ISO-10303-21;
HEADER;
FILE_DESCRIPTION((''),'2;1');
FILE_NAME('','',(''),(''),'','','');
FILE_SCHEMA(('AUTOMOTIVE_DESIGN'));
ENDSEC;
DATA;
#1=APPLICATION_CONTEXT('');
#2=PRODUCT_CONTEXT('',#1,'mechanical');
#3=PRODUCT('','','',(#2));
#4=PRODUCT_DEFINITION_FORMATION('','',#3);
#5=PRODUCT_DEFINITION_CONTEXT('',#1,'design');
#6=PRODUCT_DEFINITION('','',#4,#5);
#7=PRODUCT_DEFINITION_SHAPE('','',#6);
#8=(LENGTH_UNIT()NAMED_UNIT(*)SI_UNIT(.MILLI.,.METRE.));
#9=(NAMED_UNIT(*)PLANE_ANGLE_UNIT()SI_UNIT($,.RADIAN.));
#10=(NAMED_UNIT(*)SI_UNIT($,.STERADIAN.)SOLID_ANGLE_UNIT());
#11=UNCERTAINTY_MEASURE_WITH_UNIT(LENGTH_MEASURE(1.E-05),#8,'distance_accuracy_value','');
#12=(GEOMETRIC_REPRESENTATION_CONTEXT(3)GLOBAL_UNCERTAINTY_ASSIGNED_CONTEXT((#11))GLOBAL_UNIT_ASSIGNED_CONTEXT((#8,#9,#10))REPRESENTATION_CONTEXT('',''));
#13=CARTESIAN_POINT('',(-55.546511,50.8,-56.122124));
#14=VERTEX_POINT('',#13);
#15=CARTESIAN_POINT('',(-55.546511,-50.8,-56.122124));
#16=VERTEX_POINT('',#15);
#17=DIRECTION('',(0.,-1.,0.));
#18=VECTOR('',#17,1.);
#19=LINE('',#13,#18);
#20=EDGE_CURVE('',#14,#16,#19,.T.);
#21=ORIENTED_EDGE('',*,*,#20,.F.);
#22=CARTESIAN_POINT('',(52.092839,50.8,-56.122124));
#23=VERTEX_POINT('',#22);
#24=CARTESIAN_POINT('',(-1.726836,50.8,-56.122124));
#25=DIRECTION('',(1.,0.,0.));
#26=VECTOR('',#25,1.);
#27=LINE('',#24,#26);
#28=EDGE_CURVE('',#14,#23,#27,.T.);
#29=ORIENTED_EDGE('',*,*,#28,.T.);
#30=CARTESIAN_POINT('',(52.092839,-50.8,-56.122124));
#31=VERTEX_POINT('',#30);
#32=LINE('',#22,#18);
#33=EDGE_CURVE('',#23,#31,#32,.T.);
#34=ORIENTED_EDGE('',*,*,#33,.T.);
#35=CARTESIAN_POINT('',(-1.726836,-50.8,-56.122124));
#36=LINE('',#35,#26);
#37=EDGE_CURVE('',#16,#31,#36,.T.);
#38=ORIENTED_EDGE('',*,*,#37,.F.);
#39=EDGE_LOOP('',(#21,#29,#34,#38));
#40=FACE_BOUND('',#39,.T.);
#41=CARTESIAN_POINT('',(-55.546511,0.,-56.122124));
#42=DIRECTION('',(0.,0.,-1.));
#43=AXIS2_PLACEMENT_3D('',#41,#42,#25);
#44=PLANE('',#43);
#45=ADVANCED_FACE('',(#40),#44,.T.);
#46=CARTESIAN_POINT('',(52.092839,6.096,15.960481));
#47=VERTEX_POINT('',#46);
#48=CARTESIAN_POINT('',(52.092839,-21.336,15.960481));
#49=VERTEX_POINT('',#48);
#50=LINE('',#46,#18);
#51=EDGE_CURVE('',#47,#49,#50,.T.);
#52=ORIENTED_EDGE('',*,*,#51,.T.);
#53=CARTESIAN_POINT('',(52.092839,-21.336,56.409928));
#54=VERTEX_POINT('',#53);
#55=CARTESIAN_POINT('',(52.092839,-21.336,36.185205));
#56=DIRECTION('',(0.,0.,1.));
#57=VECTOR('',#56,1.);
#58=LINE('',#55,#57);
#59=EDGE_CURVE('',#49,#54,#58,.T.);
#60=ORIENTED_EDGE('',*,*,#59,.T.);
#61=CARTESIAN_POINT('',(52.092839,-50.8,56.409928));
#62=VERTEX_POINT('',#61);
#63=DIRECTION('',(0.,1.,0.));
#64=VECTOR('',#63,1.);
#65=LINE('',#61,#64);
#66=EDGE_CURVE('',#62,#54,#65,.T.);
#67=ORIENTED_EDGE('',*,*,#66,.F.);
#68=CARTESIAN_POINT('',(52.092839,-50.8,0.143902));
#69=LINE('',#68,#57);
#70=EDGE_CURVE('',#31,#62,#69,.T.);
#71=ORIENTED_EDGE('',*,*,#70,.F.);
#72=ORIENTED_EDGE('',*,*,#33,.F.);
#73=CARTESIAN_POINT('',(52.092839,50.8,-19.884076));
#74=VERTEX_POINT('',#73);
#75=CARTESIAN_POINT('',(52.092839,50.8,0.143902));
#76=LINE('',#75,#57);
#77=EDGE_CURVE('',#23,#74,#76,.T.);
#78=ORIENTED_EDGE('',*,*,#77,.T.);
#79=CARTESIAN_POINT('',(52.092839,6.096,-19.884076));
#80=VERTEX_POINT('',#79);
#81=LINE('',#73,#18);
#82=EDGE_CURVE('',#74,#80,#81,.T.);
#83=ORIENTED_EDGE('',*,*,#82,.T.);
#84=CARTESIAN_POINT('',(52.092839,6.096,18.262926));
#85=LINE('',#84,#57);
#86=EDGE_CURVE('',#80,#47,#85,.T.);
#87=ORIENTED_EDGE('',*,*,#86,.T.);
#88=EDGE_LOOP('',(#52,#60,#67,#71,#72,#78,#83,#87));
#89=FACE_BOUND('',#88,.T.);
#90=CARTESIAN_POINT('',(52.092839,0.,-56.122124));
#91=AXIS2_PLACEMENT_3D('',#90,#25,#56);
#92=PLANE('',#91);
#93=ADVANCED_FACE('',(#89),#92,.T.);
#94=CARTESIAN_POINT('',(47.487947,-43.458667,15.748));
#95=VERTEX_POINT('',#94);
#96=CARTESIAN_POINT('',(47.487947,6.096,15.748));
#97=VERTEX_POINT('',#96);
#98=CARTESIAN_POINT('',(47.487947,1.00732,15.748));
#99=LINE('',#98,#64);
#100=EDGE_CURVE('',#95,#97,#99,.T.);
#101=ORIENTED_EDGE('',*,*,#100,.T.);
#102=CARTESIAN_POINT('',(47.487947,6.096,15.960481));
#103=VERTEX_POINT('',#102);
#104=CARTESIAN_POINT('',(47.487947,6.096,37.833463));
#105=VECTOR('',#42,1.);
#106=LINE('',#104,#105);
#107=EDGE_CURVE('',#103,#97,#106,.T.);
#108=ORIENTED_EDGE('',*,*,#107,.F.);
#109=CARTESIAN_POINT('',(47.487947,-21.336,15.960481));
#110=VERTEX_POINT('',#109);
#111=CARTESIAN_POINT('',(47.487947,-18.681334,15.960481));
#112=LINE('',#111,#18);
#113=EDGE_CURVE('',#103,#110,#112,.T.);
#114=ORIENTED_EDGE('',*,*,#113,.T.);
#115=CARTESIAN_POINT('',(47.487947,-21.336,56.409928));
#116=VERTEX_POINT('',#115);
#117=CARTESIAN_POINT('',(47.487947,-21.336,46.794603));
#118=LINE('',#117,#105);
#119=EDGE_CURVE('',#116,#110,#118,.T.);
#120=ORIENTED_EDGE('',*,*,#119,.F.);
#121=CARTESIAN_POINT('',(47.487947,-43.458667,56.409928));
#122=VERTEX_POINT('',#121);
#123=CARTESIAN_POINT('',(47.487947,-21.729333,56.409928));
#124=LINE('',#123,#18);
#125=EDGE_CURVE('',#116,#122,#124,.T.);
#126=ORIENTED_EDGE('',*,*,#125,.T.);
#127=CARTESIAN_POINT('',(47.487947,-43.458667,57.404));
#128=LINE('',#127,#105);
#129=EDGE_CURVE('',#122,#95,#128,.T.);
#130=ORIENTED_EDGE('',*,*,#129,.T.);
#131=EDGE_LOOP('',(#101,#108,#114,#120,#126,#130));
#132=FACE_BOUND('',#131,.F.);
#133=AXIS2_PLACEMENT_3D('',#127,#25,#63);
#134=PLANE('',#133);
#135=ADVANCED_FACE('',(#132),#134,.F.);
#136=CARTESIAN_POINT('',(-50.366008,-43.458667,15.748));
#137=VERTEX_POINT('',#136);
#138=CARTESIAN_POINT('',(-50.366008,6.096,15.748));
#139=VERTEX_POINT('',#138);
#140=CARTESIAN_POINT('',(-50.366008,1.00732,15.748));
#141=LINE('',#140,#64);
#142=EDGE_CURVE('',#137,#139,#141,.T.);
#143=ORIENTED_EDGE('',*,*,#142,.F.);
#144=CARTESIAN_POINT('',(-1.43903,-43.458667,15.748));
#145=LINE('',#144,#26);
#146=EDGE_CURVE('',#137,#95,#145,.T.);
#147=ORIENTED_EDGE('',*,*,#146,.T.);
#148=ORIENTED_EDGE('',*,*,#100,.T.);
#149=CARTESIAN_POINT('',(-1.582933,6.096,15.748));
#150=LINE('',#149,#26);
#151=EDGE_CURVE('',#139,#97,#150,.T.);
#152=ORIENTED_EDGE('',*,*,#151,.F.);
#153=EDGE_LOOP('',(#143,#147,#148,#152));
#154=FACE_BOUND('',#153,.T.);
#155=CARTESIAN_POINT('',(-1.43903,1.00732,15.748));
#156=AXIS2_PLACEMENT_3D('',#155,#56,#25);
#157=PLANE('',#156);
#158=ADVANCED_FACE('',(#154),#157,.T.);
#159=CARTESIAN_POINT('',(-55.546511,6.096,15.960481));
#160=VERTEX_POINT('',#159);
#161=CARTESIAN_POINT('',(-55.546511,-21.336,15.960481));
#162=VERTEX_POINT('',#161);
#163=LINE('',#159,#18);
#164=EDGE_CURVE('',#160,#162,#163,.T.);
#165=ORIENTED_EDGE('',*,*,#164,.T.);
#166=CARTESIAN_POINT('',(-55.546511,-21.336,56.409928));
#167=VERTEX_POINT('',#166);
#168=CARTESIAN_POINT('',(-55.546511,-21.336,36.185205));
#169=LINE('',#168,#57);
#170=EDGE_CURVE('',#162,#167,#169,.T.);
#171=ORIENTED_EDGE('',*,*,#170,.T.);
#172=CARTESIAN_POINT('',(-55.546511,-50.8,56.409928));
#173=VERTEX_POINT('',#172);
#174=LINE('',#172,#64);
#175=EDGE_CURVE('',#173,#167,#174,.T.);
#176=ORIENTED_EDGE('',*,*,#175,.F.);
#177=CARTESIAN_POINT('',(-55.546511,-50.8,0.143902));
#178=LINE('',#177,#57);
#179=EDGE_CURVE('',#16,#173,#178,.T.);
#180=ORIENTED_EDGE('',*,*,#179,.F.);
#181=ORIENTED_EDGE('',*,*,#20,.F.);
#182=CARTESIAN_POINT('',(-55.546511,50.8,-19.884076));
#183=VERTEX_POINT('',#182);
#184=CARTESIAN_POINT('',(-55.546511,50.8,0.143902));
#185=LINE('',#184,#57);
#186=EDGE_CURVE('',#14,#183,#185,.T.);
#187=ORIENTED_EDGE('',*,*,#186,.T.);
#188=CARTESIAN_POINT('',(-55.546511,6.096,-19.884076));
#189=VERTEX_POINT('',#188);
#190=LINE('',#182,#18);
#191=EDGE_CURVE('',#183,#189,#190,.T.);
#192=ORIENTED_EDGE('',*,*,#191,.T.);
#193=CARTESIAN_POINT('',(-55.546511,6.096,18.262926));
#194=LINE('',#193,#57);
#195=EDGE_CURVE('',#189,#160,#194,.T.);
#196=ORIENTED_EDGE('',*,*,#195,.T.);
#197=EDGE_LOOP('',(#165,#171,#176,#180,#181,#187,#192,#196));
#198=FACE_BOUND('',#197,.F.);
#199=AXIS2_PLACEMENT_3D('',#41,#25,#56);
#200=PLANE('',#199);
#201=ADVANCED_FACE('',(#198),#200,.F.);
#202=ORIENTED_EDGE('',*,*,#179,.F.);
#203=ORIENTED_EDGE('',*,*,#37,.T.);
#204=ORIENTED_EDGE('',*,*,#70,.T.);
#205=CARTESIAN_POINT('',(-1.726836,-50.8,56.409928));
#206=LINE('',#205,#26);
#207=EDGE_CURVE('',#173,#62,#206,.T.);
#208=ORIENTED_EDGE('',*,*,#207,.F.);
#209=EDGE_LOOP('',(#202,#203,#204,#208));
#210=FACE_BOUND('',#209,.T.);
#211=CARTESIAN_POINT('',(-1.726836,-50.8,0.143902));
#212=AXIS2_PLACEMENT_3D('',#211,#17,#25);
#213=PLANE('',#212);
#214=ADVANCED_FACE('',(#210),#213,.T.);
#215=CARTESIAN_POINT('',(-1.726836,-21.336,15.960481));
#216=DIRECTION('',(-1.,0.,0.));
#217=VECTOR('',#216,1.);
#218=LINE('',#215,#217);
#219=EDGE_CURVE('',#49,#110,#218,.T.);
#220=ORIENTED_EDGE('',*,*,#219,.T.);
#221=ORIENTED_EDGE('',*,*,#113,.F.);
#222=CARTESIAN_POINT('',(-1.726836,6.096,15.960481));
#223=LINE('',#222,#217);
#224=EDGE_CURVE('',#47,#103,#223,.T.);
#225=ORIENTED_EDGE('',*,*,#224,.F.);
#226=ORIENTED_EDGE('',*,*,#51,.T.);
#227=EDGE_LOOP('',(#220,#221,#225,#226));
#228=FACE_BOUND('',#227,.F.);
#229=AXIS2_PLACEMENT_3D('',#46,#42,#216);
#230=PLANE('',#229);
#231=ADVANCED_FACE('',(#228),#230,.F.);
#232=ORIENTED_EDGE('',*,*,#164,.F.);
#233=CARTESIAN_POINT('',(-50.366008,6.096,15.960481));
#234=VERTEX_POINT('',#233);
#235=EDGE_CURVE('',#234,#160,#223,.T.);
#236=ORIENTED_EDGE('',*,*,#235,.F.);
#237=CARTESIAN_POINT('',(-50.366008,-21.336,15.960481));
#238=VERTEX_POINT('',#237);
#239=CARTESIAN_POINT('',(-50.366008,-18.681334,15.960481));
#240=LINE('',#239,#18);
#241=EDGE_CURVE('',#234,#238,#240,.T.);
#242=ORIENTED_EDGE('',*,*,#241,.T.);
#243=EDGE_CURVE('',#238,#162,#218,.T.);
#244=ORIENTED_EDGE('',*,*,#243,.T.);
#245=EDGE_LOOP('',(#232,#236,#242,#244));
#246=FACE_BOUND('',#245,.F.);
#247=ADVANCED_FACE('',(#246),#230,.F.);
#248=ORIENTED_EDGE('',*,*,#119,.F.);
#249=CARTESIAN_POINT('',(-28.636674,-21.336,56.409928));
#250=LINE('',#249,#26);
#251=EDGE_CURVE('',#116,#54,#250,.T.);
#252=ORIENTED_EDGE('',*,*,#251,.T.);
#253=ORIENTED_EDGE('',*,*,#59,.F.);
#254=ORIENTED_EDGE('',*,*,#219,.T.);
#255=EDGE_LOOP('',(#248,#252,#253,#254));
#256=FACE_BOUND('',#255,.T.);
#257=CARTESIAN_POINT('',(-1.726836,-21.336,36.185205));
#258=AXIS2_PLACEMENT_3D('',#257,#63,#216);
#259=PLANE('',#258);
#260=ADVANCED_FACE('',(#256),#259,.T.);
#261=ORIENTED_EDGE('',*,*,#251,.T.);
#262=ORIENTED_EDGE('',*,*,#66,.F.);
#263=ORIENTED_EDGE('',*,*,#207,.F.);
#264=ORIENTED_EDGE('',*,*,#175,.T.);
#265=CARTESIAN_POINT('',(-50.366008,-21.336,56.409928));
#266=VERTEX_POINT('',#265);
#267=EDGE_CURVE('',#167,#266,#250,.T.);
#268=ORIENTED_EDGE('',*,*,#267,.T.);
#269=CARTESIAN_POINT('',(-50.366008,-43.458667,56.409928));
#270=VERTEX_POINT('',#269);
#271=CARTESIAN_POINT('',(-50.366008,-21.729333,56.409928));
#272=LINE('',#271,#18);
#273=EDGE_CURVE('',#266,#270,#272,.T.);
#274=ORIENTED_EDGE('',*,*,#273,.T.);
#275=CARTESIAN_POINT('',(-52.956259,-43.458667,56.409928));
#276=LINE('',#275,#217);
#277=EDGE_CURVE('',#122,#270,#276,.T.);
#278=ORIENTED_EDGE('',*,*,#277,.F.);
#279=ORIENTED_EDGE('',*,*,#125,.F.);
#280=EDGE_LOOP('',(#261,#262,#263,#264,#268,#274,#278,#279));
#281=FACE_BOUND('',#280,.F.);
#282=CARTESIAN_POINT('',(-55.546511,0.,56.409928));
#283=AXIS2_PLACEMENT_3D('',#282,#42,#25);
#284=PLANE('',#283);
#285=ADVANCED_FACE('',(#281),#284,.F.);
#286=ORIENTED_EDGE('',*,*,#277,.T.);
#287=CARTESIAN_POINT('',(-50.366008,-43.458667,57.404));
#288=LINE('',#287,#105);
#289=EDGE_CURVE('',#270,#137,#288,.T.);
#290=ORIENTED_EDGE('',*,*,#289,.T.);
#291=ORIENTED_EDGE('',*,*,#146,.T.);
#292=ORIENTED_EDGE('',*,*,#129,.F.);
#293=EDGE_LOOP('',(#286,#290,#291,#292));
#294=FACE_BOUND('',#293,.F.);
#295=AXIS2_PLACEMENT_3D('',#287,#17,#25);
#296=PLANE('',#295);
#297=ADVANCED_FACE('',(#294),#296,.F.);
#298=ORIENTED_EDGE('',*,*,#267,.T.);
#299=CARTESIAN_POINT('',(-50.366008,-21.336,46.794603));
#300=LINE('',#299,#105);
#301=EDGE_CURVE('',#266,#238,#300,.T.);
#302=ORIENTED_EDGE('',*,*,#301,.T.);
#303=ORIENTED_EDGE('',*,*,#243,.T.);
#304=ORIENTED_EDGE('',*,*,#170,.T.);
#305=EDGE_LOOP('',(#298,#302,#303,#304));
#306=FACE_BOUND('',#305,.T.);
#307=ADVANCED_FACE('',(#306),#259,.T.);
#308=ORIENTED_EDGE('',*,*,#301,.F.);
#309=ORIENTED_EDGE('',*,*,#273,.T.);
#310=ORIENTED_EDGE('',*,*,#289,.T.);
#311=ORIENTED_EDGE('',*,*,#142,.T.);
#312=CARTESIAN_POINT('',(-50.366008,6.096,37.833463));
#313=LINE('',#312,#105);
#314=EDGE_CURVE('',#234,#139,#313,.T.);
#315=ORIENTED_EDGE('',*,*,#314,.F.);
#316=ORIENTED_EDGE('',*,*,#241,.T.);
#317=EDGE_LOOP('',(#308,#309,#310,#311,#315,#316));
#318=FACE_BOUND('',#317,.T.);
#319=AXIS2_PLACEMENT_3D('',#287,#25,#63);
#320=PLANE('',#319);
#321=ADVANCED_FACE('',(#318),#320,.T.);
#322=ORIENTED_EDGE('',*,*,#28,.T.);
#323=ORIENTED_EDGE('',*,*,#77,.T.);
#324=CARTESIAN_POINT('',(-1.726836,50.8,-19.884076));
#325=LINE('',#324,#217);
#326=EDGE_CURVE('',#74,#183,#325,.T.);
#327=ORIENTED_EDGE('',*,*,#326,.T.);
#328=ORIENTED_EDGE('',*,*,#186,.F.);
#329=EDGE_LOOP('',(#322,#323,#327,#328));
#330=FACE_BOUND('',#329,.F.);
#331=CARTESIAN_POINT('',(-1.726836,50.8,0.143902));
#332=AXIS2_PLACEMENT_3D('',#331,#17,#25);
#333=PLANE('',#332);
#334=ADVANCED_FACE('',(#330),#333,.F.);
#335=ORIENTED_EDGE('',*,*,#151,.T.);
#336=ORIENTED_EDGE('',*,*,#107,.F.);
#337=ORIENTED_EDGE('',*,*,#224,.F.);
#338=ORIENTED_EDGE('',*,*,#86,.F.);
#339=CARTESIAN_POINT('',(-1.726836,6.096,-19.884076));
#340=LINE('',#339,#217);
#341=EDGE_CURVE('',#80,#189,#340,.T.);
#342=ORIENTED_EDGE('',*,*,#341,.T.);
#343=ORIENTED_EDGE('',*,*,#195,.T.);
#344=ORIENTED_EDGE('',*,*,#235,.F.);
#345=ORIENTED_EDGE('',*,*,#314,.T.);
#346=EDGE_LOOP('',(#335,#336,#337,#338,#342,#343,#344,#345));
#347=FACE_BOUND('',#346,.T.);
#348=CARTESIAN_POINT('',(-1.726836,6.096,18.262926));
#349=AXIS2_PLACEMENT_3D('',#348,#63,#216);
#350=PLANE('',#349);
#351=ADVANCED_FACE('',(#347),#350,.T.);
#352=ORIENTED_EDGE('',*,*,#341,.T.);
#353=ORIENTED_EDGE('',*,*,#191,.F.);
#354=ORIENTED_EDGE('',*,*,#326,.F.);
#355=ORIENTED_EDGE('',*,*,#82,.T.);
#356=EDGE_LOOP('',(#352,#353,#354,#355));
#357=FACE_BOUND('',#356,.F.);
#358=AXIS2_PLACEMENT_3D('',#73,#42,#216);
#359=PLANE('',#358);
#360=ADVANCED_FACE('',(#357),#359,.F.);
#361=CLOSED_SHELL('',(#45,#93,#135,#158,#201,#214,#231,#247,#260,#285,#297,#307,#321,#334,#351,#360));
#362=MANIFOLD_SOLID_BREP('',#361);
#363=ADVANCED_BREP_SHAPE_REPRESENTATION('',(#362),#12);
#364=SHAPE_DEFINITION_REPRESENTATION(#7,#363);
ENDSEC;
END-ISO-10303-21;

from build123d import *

# Parameters (mm, degrees)
F0_W          = 107.63935
F0_H          = 112.532053
F1_DEPTH      = 50.8
F1_DEPTH_BACK = 50.8
F2_W          = 107.63935
F2_H          = 76.294005
F3_DEPTH      = 44.704
F4_W          = 107.63935
F4_H          = 40.449448
F5_DEPTH      = 27.432
F7_W          = 97.853955
F7_H          = 88.931974
F8_DEPTH      = 41.656


with BuildPart() as f1:
    # F0 (on Front) → F1 (new body, two sides)
    with BuildSketch(Plane.XZ) as f1_sk:
        with Locations((-1.726836, 0.143902)):
            Rectangle(F0_W, F0_H)
    extrude(amount=F1_DEPTH)
    extrude(f1_sk.sketch, amount=-F1_DEPTH_BACK)

    # F2 (on face) → F3 (cut)
    with BuildSketch(Plane(origin=(0, 50.8, 0), x_dir=(-1, 0, 0), z_dir=(0, 1, 0))):
        with Locations((1.726836, 18.262926)):
            Rectangle(F2_W, F2_H)
    extrude(amount=-F3_DEPTH, mode=Mode.SUBTRACT)

    # F4 (on face) → F5 (cut)
    with BuildSketch(Plane(origin=(0, 6.096, 0), x_dir=(-1, 0, 0), z_dir=(0, 1, 0))):
        with Locations((1.726836, 36.185205)):
            Rectangle(F4_W, F4_H)
    extrude(amount=-F5_DEPTH, mode=Mode.SUBTRACT)

    # F7 (on offset) → F8 (cut)
    with BuildSketch(Plane.XY.offset(57.404)):
        with Locations((-1.43903, 1.00732)):
            Rectangle(F7_W, F7_H)
    extrude(amount=-F8_DEPTH, mode=Mode.SUBTRACT)


solid = f1.part
